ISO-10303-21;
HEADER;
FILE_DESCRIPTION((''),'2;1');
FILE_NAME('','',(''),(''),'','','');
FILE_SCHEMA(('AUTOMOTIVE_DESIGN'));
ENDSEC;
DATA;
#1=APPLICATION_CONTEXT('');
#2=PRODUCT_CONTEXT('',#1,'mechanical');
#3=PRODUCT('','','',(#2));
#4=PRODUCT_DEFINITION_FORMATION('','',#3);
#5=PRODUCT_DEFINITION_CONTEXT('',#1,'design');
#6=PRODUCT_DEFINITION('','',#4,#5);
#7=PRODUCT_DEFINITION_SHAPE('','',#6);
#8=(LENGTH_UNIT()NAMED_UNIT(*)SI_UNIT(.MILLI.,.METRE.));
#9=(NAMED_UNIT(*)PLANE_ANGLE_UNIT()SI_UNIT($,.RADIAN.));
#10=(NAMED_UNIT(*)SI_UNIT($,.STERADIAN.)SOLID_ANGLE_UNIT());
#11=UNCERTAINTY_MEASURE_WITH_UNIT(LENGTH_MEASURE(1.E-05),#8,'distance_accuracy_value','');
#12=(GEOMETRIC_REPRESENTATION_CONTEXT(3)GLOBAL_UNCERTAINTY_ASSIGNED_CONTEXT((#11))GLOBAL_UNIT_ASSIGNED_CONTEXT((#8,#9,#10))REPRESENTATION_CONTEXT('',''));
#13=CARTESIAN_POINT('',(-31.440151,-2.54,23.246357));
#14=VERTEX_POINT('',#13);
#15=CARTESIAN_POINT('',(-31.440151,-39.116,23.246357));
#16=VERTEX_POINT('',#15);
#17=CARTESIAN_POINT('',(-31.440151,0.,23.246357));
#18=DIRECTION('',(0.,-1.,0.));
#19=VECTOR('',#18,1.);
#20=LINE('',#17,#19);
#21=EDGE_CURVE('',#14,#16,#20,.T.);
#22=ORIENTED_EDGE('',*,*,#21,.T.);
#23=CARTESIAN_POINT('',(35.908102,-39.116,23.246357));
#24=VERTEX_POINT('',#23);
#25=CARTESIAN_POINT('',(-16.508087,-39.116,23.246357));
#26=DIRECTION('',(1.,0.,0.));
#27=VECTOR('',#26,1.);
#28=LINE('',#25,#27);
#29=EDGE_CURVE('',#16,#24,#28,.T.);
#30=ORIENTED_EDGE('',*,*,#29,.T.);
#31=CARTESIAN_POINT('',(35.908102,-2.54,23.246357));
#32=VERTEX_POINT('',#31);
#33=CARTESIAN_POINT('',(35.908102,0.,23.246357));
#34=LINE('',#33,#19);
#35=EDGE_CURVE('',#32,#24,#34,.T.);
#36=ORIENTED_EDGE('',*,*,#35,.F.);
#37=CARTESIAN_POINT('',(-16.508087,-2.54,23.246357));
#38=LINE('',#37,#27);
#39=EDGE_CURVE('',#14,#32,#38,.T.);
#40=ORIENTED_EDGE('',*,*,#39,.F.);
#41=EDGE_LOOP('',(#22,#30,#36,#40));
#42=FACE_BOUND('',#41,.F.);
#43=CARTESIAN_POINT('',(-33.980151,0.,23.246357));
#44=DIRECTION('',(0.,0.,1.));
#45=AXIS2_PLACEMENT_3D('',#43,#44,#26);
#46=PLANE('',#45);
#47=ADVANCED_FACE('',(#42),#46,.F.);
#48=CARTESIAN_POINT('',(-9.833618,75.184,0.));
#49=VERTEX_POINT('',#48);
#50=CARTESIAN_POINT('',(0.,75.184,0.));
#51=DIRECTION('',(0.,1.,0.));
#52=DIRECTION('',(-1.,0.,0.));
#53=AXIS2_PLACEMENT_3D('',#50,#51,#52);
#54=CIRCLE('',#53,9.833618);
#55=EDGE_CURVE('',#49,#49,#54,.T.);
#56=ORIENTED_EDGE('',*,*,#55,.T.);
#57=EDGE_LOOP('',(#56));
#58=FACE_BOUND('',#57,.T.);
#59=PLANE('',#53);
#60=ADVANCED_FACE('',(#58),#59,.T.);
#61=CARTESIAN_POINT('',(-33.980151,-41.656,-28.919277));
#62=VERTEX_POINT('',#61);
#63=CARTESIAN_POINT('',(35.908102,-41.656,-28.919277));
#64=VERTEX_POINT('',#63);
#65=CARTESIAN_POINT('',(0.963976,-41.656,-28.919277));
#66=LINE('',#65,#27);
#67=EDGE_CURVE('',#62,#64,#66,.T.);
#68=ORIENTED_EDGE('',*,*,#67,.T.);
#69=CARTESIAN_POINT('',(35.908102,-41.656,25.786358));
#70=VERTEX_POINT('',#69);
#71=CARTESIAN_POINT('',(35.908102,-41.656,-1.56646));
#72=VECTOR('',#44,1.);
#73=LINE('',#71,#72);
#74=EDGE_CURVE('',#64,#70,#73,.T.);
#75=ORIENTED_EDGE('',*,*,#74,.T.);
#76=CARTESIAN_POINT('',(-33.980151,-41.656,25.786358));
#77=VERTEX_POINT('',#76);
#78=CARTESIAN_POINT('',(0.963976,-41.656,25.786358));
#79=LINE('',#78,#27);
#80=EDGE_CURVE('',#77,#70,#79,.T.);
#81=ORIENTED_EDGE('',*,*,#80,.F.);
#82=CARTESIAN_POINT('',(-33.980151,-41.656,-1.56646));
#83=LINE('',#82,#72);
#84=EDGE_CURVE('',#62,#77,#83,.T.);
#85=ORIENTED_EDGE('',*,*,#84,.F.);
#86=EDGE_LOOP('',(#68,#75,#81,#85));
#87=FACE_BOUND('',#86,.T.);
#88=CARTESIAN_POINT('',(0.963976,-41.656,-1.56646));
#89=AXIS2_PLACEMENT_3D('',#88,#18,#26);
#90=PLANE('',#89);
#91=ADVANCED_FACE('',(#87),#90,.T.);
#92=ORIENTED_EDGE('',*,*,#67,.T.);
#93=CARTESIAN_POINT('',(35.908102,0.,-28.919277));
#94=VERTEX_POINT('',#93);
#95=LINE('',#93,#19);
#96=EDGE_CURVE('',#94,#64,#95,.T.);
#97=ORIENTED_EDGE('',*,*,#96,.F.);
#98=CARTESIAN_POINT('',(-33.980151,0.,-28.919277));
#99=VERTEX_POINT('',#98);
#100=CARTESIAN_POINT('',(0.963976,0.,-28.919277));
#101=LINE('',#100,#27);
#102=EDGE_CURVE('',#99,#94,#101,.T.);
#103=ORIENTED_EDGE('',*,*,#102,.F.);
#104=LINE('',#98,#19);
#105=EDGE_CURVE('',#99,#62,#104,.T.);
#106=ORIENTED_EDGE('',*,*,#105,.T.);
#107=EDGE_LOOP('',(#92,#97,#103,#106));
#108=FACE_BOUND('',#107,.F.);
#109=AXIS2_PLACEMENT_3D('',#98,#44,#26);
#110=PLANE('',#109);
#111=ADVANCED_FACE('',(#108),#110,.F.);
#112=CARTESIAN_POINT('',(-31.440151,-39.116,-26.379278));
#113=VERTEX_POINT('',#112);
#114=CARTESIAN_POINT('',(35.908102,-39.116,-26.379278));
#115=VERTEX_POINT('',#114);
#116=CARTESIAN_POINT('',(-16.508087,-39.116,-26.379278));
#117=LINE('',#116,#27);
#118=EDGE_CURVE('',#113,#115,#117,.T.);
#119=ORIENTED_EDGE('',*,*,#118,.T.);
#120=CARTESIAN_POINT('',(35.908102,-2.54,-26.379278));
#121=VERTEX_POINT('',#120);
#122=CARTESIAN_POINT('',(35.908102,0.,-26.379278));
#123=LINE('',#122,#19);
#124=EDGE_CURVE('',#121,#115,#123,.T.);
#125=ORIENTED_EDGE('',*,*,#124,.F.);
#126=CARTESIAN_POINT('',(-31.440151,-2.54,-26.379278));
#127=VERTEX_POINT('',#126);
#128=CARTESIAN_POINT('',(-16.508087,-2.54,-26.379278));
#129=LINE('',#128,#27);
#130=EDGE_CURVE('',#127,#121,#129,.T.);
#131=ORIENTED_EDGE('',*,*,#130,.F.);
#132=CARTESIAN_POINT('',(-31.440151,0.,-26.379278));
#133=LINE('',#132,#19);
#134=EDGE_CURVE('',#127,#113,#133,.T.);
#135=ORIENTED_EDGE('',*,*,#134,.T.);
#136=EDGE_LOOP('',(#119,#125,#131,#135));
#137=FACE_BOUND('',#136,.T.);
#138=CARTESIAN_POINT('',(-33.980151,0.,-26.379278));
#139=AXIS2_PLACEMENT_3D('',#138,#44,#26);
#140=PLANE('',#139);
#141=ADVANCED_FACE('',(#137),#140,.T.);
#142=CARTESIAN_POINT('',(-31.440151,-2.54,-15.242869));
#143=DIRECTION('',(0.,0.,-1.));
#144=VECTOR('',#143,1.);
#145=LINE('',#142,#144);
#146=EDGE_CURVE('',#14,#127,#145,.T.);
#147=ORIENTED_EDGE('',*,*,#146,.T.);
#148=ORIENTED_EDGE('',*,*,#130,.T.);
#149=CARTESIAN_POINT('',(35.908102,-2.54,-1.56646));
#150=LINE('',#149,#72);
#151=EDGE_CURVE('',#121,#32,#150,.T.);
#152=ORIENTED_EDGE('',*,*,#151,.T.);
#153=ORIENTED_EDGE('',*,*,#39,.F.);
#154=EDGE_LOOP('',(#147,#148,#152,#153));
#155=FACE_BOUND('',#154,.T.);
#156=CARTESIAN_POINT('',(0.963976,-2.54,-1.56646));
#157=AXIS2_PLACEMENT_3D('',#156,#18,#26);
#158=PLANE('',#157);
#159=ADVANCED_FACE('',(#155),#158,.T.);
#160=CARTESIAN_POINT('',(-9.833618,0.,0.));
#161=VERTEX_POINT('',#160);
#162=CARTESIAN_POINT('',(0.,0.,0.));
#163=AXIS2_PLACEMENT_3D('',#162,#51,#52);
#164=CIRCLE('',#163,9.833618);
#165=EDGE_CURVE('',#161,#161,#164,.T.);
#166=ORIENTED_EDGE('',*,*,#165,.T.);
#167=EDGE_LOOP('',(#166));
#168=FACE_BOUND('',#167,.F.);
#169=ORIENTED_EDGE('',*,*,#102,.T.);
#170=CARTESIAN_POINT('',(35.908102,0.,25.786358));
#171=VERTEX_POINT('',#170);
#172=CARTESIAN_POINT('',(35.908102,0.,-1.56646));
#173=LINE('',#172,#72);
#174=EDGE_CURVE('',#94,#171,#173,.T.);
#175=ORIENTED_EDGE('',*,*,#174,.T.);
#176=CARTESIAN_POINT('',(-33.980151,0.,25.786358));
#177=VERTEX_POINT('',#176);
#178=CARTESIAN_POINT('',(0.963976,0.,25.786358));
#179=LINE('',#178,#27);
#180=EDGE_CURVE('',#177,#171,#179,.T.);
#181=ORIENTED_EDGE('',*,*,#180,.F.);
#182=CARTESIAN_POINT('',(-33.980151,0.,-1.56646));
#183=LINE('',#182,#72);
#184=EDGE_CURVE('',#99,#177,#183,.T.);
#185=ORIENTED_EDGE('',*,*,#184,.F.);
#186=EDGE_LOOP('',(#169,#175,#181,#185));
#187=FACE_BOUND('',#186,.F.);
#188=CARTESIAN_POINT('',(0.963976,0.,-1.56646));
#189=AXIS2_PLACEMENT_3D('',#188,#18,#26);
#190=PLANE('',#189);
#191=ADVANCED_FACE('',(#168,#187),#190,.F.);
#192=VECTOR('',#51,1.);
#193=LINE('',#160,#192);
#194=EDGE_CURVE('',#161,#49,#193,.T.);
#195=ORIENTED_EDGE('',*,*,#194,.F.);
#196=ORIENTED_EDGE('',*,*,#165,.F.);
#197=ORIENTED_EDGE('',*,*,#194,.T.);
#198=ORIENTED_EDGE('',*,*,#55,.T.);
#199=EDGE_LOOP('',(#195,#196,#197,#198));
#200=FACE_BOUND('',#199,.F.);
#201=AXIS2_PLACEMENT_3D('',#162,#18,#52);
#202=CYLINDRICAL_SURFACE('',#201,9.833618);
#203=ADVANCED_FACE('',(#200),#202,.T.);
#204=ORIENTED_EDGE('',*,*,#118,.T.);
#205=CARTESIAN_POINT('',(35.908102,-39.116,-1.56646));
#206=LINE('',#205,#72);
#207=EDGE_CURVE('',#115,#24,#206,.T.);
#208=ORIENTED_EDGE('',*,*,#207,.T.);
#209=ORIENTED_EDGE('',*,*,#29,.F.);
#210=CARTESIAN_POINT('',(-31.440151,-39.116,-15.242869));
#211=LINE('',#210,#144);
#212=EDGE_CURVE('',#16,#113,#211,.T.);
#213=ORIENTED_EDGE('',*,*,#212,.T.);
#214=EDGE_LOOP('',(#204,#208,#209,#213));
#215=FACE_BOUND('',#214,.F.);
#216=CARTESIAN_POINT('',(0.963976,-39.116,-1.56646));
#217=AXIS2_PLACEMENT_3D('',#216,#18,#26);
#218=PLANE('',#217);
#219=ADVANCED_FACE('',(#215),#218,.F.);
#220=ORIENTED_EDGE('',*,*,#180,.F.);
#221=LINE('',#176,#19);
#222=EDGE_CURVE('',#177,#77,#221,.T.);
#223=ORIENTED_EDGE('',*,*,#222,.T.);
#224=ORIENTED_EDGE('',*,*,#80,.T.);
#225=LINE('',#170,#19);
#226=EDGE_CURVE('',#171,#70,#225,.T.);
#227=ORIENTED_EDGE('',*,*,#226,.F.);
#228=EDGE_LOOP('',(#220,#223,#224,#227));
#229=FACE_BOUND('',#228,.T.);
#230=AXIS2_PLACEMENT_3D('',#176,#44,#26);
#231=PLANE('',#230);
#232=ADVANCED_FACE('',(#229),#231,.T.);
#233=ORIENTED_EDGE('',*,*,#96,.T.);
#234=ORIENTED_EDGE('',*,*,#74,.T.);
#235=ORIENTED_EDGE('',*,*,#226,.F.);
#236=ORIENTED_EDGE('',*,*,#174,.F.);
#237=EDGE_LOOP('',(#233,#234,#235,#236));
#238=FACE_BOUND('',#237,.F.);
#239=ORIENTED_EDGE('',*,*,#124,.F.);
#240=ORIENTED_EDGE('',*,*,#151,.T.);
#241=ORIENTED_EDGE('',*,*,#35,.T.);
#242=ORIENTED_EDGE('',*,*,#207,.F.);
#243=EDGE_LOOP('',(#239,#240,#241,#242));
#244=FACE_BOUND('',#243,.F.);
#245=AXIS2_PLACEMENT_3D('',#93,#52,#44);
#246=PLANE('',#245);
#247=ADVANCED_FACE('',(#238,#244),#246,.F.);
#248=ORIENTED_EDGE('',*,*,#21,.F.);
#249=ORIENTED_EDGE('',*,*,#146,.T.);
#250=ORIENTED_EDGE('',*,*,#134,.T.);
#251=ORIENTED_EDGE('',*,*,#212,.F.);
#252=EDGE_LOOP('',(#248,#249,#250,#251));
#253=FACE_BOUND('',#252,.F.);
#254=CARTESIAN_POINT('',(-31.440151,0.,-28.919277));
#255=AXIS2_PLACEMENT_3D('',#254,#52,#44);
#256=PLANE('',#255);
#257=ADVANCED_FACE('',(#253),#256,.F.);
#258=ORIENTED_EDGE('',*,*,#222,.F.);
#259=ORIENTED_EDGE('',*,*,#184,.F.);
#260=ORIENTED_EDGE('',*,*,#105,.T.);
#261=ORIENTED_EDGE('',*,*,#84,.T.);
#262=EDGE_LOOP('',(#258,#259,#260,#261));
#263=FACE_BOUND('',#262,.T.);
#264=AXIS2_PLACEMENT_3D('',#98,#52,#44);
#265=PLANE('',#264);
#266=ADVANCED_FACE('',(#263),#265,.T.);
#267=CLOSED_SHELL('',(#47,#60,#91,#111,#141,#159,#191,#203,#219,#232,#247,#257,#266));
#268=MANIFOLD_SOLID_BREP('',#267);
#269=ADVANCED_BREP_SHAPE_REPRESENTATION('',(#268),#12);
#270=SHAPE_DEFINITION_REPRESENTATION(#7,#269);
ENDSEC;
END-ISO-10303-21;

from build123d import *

# Parameters (mm, degrees)
F0_W     = 69.888253
F0_H     = 54.705635
F1_DEPTH = 41.656
F2_T     = -2.54
F3_R     = 9.833618
F4_DEPTH = 75.184


with BuildPart() as f1:
    # F0 (on Front) → F1 (new body)
    with BuildSketch(Plane.XZ):
        with Locations((0.963976, -1.56646)):
            Rectangle(F0_W, F0_H)
    extrude(amount=F1_DEPTH)

    # F2
    f2_openings = [f1.faces().sort_by_distance(p)[0] for p in [
        (35.908103, -20.828, -1.56646),
    ]]
    offset(amount=F2_T, openings=f2_openings)

    # F3 (on face) → F4 (join)
    with BuildSketch(Plane(origin=(0, 0, 0), x_dir=(-1, 0, 0), z_dir=(0, 1, 0))):
        Circle(F3_R)
    extrude(amount=F4_DEPTH)


solid = f1.part
